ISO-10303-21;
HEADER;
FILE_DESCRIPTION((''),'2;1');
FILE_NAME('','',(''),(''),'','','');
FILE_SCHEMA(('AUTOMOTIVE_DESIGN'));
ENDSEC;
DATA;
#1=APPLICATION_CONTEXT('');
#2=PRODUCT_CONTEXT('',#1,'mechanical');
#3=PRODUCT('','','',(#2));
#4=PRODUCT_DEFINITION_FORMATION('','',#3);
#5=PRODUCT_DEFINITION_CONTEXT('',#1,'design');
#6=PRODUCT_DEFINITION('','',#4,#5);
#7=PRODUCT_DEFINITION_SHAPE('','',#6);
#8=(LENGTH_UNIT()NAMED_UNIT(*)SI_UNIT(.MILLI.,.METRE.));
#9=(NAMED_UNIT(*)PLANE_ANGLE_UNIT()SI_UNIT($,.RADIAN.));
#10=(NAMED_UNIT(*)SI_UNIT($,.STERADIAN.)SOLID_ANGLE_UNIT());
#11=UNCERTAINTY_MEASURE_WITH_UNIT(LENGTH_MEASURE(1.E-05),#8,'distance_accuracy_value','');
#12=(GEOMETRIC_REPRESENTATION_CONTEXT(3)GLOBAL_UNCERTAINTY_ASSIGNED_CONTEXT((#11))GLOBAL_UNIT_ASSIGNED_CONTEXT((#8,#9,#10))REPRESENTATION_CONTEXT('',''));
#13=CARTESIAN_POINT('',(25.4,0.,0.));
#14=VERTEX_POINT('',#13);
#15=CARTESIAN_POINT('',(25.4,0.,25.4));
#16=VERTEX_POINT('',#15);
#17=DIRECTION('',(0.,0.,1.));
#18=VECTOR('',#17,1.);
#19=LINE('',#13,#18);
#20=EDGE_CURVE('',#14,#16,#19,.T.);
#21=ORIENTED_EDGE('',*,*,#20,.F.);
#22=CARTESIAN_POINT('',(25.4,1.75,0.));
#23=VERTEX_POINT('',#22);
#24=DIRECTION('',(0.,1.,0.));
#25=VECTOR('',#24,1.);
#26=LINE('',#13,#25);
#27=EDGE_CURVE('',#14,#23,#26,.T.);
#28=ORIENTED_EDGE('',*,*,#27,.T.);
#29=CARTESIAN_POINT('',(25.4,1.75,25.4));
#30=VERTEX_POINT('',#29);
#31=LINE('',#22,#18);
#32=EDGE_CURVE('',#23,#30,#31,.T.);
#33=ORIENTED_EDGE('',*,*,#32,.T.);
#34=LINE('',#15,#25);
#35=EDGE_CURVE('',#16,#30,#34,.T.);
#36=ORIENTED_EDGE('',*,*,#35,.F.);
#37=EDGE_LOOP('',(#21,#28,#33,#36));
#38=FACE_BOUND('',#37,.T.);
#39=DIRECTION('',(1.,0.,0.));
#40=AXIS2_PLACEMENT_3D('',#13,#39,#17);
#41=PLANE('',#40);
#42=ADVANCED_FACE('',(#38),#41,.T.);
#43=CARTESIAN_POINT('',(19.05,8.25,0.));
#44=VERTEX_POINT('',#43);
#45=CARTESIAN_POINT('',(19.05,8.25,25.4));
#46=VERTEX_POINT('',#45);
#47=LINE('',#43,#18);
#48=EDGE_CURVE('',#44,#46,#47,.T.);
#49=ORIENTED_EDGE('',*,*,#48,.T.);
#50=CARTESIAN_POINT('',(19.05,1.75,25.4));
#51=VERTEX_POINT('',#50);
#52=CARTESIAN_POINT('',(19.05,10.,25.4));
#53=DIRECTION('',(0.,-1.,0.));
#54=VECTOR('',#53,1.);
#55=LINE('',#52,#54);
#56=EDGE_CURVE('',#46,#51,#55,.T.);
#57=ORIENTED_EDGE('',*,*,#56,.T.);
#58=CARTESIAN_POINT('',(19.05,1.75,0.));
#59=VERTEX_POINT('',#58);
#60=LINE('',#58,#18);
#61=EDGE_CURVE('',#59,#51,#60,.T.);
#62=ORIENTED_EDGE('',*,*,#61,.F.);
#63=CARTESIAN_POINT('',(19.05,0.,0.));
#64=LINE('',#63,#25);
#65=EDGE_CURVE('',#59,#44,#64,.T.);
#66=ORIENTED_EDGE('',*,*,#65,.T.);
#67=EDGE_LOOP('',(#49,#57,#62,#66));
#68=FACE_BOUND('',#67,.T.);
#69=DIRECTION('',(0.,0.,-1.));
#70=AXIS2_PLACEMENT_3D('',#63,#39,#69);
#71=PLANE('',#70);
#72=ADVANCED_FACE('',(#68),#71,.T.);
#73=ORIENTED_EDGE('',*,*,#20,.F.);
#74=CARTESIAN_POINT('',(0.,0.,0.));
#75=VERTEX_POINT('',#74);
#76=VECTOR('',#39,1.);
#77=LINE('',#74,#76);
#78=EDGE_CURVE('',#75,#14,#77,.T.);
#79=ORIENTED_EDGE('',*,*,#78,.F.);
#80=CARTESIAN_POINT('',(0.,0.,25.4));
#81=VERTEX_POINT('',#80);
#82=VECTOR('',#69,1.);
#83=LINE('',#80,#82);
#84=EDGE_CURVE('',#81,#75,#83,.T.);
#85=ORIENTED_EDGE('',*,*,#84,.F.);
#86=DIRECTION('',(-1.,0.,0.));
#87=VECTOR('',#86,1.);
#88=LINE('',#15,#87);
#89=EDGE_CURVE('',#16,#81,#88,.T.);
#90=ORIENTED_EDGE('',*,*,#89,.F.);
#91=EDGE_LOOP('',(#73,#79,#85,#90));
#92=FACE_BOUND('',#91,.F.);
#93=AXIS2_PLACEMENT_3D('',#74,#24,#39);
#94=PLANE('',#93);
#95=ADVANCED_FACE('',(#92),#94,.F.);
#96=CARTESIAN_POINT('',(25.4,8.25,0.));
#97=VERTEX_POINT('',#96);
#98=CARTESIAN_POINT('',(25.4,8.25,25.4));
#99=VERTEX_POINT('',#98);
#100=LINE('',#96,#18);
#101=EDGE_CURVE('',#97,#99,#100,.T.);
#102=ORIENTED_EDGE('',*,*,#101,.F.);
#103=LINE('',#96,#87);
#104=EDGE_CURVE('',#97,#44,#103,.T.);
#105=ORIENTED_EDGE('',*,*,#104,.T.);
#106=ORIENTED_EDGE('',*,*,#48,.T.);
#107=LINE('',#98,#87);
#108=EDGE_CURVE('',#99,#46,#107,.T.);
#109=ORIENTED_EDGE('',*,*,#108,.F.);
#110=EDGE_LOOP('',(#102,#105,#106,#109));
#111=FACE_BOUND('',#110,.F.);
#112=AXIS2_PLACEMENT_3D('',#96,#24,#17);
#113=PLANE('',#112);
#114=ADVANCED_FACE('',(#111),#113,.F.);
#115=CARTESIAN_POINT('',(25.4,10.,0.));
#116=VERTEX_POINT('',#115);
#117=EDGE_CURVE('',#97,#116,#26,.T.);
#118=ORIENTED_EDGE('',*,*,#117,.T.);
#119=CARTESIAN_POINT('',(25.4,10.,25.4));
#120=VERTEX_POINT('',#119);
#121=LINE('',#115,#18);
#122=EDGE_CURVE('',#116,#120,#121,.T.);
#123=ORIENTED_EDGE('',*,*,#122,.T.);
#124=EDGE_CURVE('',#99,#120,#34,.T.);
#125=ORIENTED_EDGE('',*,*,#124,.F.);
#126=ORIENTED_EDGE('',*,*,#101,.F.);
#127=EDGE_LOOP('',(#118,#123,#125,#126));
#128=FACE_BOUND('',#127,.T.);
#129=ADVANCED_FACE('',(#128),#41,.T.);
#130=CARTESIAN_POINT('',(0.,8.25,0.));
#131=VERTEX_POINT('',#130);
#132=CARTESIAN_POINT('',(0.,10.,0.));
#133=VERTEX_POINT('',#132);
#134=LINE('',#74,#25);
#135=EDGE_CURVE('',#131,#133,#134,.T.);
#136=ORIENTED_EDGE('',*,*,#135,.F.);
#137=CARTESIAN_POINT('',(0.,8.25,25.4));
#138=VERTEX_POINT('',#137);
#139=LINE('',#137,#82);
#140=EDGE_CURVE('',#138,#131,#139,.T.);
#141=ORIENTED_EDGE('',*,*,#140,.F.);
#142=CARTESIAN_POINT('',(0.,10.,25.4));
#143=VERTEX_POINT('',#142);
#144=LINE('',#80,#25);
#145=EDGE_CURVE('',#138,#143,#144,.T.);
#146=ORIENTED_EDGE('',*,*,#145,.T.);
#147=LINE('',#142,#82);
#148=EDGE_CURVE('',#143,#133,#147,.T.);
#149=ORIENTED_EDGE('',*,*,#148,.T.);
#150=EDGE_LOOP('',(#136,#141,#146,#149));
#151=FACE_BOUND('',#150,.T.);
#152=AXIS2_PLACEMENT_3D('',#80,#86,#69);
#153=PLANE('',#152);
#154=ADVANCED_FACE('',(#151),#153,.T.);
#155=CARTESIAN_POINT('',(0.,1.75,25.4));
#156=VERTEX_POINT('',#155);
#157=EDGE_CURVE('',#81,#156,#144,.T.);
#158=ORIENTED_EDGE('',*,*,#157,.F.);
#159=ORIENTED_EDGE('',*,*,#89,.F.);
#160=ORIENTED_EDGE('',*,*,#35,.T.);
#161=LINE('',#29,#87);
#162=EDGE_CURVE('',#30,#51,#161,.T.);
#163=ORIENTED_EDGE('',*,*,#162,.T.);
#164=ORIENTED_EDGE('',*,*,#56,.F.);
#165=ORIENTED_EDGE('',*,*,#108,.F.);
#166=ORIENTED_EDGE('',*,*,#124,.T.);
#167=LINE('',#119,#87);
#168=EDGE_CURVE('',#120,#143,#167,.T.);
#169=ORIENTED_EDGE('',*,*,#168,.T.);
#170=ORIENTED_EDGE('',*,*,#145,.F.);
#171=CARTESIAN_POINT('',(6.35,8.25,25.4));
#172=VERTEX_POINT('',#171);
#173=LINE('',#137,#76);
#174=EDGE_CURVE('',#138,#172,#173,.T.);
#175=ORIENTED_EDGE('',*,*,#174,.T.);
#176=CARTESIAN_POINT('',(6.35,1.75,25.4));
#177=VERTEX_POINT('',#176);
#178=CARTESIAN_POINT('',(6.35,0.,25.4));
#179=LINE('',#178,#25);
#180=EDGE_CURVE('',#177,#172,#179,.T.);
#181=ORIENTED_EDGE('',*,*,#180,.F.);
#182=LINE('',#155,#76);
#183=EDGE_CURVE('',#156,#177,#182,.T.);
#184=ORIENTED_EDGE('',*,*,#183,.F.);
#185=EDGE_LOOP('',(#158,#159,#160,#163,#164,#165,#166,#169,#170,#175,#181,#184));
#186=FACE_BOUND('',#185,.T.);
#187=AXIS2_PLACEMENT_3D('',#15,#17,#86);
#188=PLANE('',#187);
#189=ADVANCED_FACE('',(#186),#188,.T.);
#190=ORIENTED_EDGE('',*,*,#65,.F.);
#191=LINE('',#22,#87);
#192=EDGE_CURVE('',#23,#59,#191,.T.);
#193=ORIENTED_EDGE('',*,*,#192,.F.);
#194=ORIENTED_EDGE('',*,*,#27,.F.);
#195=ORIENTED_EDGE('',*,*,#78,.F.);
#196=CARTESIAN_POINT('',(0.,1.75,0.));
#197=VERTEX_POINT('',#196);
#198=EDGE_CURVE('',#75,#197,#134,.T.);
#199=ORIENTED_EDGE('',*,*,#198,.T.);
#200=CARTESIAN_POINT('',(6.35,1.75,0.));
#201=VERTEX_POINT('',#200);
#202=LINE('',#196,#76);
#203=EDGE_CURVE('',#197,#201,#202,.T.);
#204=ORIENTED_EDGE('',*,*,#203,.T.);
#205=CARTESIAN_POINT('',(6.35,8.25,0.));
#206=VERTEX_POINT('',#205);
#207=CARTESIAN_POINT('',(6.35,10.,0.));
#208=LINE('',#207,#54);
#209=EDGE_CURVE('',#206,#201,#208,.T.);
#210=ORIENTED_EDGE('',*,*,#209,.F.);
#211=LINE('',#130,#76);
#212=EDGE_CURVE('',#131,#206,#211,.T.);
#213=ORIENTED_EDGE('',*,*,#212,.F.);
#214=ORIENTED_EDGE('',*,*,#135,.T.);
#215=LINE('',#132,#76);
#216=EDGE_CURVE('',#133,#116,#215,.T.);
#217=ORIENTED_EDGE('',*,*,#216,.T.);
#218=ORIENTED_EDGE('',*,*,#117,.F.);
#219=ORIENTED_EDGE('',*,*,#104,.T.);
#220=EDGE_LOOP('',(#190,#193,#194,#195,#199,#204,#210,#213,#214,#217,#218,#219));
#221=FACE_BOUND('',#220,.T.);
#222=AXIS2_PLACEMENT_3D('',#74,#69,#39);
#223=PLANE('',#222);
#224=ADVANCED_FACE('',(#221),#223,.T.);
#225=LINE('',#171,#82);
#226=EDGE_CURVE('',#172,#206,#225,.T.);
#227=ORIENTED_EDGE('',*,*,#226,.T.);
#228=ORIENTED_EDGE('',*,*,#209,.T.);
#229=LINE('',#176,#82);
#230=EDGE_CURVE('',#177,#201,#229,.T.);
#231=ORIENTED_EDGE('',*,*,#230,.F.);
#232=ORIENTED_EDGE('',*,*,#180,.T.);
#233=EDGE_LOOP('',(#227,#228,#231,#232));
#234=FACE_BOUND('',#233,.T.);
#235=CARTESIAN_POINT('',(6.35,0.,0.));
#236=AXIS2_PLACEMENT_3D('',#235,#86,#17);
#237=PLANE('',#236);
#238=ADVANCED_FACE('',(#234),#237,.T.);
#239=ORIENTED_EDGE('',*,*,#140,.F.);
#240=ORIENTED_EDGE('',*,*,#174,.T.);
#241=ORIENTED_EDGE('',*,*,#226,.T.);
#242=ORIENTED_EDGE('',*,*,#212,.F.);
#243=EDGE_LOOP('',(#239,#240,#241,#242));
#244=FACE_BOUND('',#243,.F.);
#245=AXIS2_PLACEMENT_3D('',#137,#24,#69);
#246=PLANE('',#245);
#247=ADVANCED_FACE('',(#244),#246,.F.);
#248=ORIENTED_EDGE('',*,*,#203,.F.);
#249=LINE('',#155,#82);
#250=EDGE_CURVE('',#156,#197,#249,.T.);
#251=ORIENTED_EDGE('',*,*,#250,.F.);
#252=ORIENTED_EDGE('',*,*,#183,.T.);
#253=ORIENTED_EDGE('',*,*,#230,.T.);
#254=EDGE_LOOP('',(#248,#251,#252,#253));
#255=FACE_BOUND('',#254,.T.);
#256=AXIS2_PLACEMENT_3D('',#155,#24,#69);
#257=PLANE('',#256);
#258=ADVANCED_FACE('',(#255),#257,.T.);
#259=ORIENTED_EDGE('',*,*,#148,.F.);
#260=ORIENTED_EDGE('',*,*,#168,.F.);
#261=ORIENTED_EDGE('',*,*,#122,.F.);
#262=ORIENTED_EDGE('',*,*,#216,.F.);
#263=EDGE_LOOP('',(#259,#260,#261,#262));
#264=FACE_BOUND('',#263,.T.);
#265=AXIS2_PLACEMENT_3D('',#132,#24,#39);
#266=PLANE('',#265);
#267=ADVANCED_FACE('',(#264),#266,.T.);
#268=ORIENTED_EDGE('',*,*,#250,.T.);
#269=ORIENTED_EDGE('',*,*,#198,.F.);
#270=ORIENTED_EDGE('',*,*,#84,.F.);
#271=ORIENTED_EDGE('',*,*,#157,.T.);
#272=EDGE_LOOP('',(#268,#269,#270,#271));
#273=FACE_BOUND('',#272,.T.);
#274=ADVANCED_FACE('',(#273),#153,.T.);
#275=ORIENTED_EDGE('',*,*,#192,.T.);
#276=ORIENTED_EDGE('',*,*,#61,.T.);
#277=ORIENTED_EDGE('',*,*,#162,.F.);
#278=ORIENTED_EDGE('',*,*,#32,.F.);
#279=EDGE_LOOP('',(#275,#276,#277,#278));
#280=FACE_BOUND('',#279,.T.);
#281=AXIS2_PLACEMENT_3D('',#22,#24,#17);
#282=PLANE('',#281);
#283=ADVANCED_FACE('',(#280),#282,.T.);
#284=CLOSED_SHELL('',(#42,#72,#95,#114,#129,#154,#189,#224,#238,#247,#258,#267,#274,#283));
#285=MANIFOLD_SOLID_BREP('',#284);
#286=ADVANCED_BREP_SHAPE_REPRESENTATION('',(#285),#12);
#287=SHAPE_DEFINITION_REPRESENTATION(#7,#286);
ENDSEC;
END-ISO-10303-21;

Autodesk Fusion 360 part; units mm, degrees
sketch "Sketch1" plane through (0, 0, 0) normal (0, 1, 0) x (1, 0, 0)
  line L0 (0, 0) -> (25.4, 0)
  line L1 (25.4, 0) -> (25.4, -25.4)
  line L2 (25.4, -25.4) -> (0, -25.4)
  line L3 (0, -25.4) -> (0, 0)
  dimension "d1" = 25.4
  dimension "d2" = 25.4
extrude "Extrude1" add sketch "Sketch1" along normal blind 10 makes body 1
sketch "Sketch2" plane through (0, 10, 0) normal (0, 1, 0) x (-1, 0, 0)
  line L0 (0, 25.4) -> (-25.4, 25.4)
  line L1 (-25.4, 25.4) -> (-25.4, 0)
  line L2 (-25.4, 0) -> (0, 0)
  line L3 (0, 0) -> (0, 25.4)
sketch "Sketch3" plane through (0, 0, 0) normal (-1, 0, 0) x (0, 0, 1)
  line L0 (0, 0) -> (25.4, 0)
  line L1 (25.4, 0) -> (25.4, 10)
  line L2 (25.4, 10) -> (0, 10)
  line L3 (0, 10) -> (0, 0)
  line L4 (0, 10) -> (25.4, 10)
  line L5 (25.4, 10) -> (25.4, 8.25)
  line L6 (25.4, 8.25) -> (0, 8.25)
  line L7 (0, 8.25) -> (0, 10)
  line L8 (0, 0) -> (25.4, 0)
  line L9 (25.4, 0) -> (25.4, 1.75)
  line L10 (25.4, 1.75) -> (0, 1.75)
  line L11 (0, 1.75) -> (0, 0)
  dimension "d5" = 1.75
  dimension "d6" = 1.75
extrude "Extrude2" cut sketch "Sketch3" against normal blind 6.35 contours L1 L3 L6 L10 bodies 1
sketch "Sketch4" plane through (25.4, 0, 0) normal (1, 0, 0) x (0, 0, -1)
  line L0 (-25.4, 0) -> (0, 0)
  line L1 (0, 0) -> (0, 10)
  line L2 (0, 10) -> (-25.4, 10)
  line L3 (-25.4, 10) -> (-25.4, 0)
  line L4 (-25.4, 10) -> (0, 10)
  line L5 (0, 10) -> (0, 8.25)
  line L6 (0, 8.25) -> (-25.4, 8.25)
  line L7 (-25.4, 8.25) -> (-25.4, 10)
  line L8 (-25.4, 0) -> (0, 0)
  line L9 (0, 0) -> (0, 1.75)
  line L10 (0, 1.75) -> (-25.4, 1.75)
  line L11 (-25.4, 1.75) -> (-25.4, 0)
  dimension "d9" = 1.75
  dimension "d10" = 25.4
  dimension "d11" = 1.75
extrude "Extrude3" cut sketch "Sketch4" against normal blind 6.35 contours L1 L3 L6 L10 bodies 1
copy_body "Body->Comp1" bodies 1 removing the originals makes body 2 in component "Half inch spacer"
component "Half inch spacer" placed x (1, 0, 0) y (0, 1, 0) z (0, 0, 1) at (0, 0, 0)
